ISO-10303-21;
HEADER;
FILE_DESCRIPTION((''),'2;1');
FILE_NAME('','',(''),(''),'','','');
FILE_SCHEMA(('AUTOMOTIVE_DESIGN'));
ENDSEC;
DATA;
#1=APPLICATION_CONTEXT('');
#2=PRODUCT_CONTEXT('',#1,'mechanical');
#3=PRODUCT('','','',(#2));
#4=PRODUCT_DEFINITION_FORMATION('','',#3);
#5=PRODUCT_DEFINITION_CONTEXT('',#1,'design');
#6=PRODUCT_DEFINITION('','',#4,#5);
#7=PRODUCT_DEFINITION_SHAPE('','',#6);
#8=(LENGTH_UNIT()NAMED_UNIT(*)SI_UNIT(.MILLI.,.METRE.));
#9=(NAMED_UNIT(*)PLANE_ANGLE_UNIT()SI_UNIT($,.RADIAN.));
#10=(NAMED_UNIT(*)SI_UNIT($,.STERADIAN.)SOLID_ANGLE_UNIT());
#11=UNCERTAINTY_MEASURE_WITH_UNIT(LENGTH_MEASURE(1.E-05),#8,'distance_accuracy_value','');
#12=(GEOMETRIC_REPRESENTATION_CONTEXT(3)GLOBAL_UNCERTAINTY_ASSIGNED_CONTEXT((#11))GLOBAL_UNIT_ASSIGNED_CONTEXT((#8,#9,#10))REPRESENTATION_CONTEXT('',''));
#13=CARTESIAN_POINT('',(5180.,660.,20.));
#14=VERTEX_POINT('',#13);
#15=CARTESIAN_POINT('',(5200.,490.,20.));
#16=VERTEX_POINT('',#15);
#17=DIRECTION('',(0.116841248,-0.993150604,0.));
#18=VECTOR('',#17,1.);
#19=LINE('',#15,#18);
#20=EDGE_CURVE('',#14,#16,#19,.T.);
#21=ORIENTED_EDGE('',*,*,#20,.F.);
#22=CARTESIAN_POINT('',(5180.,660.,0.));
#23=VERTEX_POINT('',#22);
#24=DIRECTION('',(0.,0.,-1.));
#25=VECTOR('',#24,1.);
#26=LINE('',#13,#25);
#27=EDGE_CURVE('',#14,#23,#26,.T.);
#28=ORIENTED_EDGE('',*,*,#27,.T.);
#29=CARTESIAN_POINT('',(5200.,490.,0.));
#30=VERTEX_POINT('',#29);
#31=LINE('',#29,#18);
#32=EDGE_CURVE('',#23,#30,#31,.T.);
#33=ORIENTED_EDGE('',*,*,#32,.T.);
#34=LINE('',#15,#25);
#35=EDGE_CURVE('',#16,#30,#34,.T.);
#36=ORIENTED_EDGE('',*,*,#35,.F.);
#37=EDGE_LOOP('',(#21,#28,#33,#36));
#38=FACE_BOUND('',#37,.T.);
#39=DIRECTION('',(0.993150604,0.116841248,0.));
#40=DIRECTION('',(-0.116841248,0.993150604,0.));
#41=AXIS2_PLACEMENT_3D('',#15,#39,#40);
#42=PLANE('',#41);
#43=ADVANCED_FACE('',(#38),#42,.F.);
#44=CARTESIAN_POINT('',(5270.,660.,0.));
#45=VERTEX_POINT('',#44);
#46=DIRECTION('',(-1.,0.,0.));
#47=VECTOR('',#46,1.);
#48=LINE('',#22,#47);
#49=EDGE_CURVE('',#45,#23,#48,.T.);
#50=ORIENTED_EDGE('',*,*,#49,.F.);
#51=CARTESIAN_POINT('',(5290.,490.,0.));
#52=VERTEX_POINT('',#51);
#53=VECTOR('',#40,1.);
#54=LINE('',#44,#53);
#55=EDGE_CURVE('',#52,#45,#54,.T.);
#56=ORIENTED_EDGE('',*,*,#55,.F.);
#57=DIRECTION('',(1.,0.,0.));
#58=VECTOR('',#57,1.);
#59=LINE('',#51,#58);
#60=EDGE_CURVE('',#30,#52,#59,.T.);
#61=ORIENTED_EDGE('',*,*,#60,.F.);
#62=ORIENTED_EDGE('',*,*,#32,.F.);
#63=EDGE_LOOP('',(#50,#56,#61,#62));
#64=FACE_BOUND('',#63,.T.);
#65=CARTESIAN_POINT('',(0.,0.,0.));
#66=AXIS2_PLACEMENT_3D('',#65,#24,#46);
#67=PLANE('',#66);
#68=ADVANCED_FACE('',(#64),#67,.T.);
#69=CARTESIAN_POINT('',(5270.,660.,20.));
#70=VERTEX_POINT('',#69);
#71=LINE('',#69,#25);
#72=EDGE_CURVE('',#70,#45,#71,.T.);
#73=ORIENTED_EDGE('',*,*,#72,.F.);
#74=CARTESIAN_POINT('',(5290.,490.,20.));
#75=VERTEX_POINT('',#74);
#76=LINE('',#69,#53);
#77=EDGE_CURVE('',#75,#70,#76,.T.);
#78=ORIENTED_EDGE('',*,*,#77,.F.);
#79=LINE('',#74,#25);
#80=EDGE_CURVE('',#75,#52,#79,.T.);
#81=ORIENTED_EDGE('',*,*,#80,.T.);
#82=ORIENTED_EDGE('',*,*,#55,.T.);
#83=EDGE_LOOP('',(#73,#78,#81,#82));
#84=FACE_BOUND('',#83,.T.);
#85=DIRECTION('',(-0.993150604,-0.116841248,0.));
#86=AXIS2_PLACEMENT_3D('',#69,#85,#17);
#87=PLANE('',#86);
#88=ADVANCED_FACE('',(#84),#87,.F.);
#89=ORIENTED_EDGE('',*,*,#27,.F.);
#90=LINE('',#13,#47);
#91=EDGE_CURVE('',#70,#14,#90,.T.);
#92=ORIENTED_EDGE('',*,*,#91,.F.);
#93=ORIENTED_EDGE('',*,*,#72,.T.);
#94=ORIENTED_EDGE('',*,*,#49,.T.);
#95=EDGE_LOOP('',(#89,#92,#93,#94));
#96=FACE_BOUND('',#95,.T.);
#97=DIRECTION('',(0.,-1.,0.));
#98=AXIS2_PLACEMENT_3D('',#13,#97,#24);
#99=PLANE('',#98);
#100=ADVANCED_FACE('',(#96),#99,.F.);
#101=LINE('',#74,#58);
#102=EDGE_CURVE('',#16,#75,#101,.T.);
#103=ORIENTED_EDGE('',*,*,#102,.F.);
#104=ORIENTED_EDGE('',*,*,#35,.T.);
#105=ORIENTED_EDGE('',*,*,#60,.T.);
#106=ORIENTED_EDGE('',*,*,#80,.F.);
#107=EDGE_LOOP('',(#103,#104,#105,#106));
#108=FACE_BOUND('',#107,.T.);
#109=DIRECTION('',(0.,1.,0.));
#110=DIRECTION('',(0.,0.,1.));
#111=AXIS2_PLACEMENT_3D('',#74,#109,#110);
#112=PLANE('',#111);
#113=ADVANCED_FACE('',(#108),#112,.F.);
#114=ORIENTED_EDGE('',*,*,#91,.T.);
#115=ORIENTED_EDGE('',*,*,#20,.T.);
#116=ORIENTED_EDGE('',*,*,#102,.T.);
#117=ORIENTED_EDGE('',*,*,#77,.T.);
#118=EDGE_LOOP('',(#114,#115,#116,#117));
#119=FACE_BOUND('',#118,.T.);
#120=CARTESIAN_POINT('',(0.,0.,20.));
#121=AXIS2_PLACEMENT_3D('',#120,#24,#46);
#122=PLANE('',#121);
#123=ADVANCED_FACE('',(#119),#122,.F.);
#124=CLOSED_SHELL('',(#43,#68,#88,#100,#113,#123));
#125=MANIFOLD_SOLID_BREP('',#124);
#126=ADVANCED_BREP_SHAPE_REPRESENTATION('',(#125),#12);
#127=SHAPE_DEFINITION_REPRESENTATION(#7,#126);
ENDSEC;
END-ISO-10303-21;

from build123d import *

# Parameters (mm, degrees)
BOSS_EXTRUDE1_DEPTH = 20


with BuildPart() as part:
    # Sketch1 → Boss-Extrude1 (new body)
    with BuildSketch(Plane.XY):
        Polygon((5200, 490), (5180, 660), (5270, 660), (5290, 490), align=None)
    extrude(amount=BOSS_EXTRUDE1_DEPTH)


solid = part.part
